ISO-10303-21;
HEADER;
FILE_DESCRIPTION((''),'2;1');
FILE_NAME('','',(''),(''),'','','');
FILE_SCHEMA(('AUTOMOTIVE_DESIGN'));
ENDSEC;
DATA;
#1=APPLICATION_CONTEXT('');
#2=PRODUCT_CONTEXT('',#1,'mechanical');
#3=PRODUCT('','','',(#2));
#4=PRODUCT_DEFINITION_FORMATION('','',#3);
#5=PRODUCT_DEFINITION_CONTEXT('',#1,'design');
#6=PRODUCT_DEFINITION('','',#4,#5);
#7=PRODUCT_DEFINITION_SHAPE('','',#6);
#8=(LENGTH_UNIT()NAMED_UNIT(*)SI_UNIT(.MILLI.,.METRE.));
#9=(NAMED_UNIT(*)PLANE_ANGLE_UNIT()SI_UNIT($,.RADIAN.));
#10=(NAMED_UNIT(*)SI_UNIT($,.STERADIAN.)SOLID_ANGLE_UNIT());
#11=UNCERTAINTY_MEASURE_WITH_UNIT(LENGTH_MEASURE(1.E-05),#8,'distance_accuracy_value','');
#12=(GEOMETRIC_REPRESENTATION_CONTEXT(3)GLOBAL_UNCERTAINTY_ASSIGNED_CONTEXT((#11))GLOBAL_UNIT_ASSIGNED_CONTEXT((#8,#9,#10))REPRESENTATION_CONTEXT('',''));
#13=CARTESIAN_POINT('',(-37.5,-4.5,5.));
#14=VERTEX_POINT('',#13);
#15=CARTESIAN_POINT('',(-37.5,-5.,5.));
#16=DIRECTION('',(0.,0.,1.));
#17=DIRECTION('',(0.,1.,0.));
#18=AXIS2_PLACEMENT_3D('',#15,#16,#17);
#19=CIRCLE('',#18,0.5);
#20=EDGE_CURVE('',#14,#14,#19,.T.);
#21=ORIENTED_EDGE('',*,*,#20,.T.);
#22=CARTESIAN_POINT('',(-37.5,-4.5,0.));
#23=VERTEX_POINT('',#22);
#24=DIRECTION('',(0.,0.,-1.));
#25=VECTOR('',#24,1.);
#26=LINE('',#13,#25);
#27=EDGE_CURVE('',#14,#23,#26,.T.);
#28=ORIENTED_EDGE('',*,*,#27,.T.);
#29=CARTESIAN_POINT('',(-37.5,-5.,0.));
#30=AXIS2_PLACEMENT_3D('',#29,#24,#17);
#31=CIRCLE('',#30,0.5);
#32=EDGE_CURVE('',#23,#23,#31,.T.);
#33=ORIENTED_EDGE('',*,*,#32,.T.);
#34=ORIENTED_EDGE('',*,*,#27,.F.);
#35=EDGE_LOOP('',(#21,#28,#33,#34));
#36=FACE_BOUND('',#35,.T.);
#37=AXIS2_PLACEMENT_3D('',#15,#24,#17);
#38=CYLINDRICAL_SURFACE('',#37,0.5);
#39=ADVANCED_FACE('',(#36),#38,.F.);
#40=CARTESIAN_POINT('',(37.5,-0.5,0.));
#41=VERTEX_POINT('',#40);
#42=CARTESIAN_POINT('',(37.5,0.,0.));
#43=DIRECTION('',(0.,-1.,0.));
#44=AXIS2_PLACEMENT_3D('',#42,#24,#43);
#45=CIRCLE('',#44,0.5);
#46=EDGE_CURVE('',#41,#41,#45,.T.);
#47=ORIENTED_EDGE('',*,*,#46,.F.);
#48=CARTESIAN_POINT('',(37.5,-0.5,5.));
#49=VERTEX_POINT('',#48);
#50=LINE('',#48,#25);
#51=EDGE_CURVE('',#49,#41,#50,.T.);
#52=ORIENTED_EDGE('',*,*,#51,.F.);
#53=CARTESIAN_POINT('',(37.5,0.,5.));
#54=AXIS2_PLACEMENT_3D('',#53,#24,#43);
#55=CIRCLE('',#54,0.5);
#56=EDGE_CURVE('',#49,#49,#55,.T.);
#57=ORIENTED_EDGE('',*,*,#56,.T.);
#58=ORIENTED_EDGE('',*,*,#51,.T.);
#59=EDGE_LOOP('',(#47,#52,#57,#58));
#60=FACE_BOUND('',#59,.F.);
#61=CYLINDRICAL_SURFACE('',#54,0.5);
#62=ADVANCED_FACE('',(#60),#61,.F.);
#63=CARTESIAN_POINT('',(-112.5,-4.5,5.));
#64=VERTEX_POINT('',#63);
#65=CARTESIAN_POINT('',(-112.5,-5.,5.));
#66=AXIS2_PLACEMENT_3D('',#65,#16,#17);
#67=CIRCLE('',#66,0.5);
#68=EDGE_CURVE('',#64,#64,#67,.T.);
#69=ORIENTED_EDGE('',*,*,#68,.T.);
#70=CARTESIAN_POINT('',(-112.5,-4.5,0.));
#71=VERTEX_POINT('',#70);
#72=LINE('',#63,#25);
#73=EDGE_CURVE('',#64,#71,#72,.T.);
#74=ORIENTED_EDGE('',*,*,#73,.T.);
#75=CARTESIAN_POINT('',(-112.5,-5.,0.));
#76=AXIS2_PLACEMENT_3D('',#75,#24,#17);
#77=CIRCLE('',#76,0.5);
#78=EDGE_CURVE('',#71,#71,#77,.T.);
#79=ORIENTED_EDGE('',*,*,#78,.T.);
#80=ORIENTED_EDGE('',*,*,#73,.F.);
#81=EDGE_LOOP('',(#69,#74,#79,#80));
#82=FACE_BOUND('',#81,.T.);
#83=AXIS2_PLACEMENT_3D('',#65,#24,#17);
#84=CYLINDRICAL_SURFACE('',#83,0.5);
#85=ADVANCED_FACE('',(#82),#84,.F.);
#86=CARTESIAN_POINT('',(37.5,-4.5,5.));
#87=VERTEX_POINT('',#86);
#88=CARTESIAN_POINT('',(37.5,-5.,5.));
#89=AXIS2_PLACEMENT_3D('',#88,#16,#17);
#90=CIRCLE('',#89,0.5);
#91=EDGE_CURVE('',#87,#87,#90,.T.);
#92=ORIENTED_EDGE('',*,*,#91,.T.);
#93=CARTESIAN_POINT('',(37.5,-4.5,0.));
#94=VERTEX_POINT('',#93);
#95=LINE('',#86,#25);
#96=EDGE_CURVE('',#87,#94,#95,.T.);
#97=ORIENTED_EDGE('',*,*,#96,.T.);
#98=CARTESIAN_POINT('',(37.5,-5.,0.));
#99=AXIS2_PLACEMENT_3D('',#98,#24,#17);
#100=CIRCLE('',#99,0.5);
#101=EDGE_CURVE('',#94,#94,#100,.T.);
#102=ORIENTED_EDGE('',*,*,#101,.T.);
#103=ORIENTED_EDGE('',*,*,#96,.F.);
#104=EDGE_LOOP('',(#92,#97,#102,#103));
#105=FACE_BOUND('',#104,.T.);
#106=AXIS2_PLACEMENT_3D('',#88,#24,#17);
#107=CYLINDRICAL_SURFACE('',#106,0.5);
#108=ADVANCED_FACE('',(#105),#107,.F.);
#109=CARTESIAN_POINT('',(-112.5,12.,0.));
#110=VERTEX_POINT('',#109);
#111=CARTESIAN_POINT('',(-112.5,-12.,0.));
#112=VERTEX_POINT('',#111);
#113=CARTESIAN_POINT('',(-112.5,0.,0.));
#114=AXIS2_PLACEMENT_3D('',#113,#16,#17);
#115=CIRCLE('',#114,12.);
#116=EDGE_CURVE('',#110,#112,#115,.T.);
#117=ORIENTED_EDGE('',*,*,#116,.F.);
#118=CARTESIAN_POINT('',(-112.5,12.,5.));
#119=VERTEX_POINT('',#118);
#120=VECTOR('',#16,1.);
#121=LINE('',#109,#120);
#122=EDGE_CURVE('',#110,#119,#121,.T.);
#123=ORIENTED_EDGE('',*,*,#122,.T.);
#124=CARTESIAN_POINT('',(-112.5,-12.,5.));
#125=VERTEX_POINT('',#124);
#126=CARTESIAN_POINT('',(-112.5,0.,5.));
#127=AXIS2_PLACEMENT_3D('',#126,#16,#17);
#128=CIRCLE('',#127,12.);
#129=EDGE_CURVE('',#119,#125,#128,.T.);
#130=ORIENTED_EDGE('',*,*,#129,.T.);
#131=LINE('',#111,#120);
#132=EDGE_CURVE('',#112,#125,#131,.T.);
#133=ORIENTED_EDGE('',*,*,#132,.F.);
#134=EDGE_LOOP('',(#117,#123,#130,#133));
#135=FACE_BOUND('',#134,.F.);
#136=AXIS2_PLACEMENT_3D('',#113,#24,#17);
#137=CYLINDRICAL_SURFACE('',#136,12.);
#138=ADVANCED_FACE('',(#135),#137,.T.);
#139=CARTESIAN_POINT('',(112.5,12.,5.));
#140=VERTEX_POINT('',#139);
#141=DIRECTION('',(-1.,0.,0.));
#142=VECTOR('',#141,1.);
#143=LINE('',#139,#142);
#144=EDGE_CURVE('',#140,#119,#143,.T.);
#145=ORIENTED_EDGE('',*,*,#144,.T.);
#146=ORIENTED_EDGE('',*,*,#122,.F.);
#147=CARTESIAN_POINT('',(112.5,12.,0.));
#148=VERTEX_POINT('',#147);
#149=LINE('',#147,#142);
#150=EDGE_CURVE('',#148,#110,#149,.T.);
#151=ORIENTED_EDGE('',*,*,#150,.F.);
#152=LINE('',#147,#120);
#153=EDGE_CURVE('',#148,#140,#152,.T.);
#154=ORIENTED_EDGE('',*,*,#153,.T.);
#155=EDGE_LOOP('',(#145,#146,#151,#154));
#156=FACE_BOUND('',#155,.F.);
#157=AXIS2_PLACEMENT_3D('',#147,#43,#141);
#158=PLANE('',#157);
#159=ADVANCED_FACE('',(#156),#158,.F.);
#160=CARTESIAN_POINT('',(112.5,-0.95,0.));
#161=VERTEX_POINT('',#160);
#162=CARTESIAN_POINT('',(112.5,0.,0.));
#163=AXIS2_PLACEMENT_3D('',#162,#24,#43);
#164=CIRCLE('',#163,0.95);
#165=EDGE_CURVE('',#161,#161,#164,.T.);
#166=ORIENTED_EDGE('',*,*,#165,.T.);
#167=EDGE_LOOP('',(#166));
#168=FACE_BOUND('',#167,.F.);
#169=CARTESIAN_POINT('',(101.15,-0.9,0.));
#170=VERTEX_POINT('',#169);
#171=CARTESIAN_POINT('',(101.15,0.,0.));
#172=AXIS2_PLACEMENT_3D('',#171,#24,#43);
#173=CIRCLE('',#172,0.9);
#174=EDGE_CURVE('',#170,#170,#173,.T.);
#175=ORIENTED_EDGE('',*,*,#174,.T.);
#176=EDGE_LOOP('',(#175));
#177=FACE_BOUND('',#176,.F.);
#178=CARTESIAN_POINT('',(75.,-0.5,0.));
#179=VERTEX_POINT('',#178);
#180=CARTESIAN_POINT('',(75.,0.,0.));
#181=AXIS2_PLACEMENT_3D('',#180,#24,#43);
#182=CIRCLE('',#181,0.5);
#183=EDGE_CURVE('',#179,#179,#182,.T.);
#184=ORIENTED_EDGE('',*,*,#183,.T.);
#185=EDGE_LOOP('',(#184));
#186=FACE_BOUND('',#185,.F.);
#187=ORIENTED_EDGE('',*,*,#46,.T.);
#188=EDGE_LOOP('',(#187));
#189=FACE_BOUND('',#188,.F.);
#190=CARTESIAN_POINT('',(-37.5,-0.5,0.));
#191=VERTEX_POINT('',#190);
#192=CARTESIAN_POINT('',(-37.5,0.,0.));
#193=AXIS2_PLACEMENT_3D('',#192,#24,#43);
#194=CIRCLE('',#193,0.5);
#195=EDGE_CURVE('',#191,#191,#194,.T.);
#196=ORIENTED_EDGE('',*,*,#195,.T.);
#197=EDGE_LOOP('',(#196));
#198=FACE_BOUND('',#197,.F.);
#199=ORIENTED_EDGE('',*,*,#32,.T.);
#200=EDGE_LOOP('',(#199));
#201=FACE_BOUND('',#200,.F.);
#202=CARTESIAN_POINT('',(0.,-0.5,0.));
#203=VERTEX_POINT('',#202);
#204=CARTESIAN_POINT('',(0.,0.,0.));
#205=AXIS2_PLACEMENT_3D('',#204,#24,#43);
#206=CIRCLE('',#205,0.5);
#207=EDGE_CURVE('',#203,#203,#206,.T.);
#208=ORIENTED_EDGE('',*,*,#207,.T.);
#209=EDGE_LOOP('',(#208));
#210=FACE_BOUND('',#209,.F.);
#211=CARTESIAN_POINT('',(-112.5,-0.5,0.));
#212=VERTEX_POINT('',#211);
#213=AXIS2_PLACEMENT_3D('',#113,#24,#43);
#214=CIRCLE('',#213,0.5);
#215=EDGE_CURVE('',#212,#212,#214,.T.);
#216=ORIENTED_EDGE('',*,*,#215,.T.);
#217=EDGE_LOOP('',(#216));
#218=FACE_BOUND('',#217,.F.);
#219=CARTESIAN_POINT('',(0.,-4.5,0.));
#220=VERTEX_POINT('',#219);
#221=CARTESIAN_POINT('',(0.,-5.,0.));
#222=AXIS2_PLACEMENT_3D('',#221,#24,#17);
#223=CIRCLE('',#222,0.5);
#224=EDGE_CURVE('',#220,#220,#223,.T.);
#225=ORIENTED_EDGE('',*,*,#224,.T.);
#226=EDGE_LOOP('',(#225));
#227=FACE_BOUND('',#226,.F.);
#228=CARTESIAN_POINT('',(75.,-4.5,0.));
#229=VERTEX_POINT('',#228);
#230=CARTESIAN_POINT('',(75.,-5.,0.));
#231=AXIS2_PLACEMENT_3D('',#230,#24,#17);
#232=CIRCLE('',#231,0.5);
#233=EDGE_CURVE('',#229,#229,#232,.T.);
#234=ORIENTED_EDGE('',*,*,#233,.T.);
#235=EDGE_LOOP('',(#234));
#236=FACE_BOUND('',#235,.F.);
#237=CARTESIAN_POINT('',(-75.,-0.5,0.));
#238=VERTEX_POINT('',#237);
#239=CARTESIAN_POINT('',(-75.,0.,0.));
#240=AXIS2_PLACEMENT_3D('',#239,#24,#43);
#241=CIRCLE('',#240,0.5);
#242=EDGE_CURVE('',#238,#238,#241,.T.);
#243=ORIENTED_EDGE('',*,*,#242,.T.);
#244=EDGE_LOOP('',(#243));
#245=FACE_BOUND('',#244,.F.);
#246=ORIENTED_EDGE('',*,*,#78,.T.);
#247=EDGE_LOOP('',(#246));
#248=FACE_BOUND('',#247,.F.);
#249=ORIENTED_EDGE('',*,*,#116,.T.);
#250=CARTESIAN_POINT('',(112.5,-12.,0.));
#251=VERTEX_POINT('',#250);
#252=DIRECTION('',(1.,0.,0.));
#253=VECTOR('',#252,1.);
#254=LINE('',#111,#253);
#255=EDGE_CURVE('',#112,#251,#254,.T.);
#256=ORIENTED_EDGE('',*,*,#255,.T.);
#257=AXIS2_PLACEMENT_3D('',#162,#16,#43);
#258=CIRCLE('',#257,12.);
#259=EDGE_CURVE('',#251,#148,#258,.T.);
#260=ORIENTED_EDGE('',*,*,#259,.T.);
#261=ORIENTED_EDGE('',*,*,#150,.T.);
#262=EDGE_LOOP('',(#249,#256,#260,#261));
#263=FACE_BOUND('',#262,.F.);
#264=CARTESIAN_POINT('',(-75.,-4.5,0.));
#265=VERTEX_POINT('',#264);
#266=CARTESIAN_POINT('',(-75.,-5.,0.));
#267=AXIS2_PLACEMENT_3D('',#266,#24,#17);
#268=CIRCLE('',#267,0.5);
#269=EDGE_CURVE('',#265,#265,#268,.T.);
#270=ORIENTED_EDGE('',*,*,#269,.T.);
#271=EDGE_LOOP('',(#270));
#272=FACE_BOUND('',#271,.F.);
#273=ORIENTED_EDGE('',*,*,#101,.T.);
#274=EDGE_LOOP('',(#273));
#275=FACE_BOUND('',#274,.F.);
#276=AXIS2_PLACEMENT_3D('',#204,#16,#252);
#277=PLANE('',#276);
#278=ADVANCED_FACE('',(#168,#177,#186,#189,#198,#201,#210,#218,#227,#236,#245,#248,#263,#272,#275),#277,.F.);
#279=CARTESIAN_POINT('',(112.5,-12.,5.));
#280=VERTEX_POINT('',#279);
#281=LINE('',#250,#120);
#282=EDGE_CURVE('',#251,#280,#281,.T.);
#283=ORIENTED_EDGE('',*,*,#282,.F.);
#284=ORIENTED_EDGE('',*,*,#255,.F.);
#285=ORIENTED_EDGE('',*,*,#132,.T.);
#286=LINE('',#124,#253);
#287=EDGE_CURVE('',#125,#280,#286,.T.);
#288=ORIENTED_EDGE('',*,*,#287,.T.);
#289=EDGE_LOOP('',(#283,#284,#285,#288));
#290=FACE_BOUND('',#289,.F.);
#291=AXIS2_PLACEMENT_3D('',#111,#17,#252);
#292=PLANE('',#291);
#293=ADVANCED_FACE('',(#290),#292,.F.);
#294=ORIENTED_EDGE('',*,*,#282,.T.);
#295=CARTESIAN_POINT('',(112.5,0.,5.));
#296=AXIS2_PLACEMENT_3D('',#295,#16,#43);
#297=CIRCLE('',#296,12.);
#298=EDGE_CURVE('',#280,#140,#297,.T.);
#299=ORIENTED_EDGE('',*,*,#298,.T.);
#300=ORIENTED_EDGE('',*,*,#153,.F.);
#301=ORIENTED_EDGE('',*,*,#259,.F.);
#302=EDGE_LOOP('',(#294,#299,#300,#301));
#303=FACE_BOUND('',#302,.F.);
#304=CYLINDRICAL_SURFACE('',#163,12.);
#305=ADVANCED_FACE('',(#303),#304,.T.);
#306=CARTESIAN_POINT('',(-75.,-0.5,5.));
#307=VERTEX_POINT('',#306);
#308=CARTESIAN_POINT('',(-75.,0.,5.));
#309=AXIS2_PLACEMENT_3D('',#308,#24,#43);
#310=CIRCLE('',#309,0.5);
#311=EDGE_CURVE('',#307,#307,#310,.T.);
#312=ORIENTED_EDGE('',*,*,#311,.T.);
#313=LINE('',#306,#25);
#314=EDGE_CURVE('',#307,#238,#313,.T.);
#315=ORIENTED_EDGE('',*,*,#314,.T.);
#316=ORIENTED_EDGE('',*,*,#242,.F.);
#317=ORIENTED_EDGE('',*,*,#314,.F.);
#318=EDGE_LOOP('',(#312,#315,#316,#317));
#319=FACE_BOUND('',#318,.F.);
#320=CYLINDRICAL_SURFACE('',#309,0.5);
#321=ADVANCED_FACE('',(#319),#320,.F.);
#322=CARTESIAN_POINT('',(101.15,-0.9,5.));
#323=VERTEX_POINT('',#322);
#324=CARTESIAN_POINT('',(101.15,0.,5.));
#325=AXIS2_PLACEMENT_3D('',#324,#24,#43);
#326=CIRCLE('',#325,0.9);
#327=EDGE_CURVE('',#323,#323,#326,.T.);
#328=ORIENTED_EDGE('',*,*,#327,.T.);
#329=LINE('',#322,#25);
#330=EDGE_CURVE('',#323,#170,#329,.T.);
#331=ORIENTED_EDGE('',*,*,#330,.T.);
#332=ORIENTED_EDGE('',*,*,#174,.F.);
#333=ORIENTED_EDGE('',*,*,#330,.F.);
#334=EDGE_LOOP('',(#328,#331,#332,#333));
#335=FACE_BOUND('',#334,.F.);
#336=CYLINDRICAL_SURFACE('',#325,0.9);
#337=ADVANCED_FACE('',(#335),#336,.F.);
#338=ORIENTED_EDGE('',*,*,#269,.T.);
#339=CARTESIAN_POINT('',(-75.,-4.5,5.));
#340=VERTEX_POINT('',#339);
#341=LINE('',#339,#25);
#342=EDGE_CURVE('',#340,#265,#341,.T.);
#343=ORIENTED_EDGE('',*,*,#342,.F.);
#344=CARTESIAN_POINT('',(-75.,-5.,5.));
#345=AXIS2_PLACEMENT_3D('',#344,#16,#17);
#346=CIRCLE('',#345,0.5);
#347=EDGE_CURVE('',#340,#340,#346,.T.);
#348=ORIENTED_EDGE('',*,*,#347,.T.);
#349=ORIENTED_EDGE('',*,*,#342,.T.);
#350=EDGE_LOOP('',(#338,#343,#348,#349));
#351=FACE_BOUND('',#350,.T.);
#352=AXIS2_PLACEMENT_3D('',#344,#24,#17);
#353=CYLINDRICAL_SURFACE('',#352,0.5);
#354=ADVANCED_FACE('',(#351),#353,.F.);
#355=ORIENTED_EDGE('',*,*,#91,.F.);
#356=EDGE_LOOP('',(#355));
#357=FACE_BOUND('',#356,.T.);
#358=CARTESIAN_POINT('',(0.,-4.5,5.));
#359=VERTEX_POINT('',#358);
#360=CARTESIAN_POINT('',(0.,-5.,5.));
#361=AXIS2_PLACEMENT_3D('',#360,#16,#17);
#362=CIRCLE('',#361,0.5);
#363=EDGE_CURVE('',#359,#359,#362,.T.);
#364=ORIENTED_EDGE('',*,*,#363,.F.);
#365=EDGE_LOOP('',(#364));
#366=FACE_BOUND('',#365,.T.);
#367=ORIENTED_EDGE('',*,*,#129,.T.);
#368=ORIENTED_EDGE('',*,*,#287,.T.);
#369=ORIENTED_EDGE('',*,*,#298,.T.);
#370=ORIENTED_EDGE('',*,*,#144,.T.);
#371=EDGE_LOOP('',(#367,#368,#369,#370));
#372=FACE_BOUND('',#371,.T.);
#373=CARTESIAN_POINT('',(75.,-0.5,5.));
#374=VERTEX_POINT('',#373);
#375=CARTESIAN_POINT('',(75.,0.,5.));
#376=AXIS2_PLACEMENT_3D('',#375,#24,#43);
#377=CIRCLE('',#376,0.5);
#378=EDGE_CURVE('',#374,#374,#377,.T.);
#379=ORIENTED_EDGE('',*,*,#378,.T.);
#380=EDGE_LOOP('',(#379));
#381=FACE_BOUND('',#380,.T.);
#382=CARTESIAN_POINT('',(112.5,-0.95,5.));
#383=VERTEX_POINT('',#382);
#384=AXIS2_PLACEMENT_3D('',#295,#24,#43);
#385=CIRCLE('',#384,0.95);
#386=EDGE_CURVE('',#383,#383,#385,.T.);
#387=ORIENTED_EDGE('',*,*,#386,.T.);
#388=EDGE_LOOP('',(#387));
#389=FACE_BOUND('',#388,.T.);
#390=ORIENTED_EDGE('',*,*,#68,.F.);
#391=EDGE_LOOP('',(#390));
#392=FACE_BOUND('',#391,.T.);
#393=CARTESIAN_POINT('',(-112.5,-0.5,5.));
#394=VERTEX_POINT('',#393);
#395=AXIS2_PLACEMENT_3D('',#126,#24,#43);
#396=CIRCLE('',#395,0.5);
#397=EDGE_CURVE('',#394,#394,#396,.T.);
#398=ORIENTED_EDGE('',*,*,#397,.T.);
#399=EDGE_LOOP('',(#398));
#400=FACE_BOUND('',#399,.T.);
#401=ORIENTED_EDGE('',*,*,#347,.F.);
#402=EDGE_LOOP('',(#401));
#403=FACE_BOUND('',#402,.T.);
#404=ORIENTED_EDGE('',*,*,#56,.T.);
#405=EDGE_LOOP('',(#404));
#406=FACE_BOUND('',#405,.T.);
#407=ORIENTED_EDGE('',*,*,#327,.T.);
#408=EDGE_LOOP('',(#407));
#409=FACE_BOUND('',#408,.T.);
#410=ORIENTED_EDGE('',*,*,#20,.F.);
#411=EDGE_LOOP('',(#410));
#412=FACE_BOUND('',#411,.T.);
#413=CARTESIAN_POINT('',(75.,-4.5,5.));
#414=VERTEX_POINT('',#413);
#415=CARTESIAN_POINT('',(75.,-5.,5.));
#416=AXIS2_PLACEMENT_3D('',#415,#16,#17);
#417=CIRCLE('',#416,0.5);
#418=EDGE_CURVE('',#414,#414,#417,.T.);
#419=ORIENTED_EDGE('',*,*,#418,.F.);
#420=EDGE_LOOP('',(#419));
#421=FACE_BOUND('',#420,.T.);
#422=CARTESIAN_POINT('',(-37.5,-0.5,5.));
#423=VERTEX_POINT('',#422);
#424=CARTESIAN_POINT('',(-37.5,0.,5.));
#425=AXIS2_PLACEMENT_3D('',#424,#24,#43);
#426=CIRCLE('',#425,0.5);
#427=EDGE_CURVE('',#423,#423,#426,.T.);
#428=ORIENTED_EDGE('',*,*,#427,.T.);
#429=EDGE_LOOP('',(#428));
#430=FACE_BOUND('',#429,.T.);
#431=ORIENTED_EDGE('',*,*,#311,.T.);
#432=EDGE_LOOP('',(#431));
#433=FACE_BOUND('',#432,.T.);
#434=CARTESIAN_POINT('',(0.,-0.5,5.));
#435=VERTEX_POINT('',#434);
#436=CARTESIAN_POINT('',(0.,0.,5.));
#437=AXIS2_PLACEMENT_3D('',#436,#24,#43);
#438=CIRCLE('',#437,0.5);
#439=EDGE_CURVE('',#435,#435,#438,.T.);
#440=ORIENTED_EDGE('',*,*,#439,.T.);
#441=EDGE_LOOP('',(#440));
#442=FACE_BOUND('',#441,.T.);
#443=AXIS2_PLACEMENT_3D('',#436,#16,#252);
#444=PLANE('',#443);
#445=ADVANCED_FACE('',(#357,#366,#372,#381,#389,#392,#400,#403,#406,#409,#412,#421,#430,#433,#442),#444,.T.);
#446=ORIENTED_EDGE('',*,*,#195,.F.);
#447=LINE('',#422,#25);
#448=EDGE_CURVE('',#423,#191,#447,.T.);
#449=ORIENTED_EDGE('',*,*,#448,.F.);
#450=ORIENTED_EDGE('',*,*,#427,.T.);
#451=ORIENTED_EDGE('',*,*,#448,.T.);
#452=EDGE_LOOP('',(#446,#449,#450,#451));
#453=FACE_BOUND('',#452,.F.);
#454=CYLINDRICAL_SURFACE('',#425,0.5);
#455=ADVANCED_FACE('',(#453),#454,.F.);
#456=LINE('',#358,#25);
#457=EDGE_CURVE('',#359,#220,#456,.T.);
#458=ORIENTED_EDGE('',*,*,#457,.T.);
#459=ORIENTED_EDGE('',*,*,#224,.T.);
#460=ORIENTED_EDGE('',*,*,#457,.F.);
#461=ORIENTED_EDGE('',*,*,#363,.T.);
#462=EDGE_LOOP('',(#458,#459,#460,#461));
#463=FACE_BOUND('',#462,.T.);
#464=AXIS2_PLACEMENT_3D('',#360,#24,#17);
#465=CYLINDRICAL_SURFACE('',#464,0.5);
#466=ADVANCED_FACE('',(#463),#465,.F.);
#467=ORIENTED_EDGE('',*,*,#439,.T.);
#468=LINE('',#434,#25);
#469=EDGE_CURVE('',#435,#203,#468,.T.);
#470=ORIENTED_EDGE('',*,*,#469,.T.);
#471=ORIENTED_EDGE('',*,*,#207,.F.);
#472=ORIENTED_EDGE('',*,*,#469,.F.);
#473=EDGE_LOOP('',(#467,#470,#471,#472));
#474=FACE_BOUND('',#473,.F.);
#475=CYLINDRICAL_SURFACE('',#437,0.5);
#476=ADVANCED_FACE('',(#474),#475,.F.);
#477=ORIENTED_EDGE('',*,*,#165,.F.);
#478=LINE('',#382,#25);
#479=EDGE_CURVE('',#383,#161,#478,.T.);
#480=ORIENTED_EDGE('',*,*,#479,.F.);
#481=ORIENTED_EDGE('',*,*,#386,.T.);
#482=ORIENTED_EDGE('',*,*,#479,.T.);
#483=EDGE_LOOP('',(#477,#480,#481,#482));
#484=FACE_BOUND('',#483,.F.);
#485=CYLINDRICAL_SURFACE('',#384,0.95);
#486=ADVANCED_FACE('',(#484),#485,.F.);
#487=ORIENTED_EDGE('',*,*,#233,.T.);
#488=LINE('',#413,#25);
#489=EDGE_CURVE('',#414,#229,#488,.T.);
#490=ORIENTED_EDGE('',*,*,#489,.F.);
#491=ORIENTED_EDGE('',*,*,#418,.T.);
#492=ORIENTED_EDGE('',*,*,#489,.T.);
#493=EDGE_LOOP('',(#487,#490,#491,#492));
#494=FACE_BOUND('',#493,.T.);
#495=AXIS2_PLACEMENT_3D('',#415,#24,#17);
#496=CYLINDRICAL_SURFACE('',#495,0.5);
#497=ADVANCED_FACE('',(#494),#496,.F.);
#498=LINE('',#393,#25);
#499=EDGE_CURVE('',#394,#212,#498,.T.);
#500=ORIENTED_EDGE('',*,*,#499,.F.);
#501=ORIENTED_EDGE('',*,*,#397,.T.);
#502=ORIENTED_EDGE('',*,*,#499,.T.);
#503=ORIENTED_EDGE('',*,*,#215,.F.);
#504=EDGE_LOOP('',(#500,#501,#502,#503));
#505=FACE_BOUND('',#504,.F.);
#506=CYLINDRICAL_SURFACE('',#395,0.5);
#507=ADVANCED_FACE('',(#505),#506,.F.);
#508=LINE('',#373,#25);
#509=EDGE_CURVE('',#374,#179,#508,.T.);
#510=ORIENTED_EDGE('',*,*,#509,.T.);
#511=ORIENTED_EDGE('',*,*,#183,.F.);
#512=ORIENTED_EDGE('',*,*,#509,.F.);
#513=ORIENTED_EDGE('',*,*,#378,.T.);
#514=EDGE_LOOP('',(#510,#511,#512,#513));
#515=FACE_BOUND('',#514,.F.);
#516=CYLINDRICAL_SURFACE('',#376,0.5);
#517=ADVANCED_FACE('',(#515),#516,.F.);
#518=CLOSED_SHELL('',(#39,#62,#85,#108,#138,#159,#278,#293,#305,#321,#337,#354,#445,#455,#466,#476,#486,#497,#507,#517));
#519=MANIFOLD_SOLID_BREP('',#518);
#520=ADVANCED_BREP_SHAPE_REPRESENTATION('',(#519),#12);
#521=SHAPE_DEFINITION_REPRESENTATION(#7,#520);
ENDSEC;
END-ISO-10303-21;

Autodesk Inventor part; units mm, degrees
ref_plane "YZ Plane" through (0, 0, 0) normal (1, 0, 0) x (0, 1, 0)
ref_plane "XY Plane" through (0, 0, 0) normal (0, 0, 1) x (1, 0, 0)
sketch "Sketch1" plane through (0, 0, 0) normal (0, 0, 1) x (1, 0, 0)
  line L0 (112.5, 0) -> (-112.5, 0) construction
  line L1 (112.5, 12) -> (-112.5, 12)
  line L2 (-112.5, -12) -> (112.5, -12)
  arc A0 (112.5, -12) -> (112.5, 12) centre (112.5, 0) ccw
  arc A1 (-112.5, 12) -> (-112.5, -12) centre (-112.5, 0) ccw
  point P0 (0, 0)
  dimension "d0" = 225
  dimension "d1" = 12
extrude "Extrusion1" add sketch "Sketch1" along normal blind 5
sketch "Sketch2" plane through (0, 0, 5) normal (0, 0, 1) x (1, 0, 0)
  arc A0 (112.5, -12) -> (112.5, 12) centre (112.5, 0) ccw projected
  point P0 (0, 0)
hole "Hole1" at (112.5, 0, 5) direction (0, 0, -1) diameter 1.9 end through all
sketch "Sketch3" plane through (0, 0, 5) normal (0, 0, 1) x (1, 0, 0)
  arc A0 (-112.5, 12) -> (-112.5, -12) centre (-112.5, 0) ccw projected
  circle A1 centre (112.5, 0) radius 0.95 projected
  point P0 (0, 0)
  point P1 (75, 0)
  point P2 (37.5, 0)
  point P3 (0, 0)
  point P4 (-37.5, 0)
  point P5 (-75, 0)
  dimension "d33" = 37.5
  dimension "d34" = 37.5
  dimension "d35" = 37.5
  dimension "d36" = 37.5
hole "Hole2" at (-112.5, 0, 5) at (-75, 0, 5) at (-37.5, 0, 5) at (0, 0, 5) at (37.5, 0, 5) at (75, 0, 5) direction (0, 0, -1) diameter 1 end through all
sketch "Sketch4" plane through (0, 0, 5) normal (0, 0, 1) x (1, 0, 0)
  circle A0 centre (112.5, 0) radius 0.95 projected
  point P0 (0, 0)
  point P1 (105, 0)
  point P2 (101.15, 0)
  dimension "d18" = 7.5
  dimension "d32" = 3.85
hole "Hole3" at (101.15, 0, 5) direction (0, 0, -1) diameter 1.8 end through all
ref_plane "Work Plane1" through (0, -2.5, 0) normal (0, 1, 0) x (-1, 0, 0)
mirror "Mirror1" about plane through (0, -2.5, 0) normal (0, 1, 0) of "Hole2"
sketch "Sketch5" plane through (0, 0, 5) normal (0, 0, 1) x (1, 0, 0)
  circle A0 centre (112.5, 0) radius 0.95 projected
  point P0 (0, 0)
equation "\"d34\" = d33"
equation "\"d35\" = d34"
equation "\"d36\" = d35"
properties part number "Motor linkage"
